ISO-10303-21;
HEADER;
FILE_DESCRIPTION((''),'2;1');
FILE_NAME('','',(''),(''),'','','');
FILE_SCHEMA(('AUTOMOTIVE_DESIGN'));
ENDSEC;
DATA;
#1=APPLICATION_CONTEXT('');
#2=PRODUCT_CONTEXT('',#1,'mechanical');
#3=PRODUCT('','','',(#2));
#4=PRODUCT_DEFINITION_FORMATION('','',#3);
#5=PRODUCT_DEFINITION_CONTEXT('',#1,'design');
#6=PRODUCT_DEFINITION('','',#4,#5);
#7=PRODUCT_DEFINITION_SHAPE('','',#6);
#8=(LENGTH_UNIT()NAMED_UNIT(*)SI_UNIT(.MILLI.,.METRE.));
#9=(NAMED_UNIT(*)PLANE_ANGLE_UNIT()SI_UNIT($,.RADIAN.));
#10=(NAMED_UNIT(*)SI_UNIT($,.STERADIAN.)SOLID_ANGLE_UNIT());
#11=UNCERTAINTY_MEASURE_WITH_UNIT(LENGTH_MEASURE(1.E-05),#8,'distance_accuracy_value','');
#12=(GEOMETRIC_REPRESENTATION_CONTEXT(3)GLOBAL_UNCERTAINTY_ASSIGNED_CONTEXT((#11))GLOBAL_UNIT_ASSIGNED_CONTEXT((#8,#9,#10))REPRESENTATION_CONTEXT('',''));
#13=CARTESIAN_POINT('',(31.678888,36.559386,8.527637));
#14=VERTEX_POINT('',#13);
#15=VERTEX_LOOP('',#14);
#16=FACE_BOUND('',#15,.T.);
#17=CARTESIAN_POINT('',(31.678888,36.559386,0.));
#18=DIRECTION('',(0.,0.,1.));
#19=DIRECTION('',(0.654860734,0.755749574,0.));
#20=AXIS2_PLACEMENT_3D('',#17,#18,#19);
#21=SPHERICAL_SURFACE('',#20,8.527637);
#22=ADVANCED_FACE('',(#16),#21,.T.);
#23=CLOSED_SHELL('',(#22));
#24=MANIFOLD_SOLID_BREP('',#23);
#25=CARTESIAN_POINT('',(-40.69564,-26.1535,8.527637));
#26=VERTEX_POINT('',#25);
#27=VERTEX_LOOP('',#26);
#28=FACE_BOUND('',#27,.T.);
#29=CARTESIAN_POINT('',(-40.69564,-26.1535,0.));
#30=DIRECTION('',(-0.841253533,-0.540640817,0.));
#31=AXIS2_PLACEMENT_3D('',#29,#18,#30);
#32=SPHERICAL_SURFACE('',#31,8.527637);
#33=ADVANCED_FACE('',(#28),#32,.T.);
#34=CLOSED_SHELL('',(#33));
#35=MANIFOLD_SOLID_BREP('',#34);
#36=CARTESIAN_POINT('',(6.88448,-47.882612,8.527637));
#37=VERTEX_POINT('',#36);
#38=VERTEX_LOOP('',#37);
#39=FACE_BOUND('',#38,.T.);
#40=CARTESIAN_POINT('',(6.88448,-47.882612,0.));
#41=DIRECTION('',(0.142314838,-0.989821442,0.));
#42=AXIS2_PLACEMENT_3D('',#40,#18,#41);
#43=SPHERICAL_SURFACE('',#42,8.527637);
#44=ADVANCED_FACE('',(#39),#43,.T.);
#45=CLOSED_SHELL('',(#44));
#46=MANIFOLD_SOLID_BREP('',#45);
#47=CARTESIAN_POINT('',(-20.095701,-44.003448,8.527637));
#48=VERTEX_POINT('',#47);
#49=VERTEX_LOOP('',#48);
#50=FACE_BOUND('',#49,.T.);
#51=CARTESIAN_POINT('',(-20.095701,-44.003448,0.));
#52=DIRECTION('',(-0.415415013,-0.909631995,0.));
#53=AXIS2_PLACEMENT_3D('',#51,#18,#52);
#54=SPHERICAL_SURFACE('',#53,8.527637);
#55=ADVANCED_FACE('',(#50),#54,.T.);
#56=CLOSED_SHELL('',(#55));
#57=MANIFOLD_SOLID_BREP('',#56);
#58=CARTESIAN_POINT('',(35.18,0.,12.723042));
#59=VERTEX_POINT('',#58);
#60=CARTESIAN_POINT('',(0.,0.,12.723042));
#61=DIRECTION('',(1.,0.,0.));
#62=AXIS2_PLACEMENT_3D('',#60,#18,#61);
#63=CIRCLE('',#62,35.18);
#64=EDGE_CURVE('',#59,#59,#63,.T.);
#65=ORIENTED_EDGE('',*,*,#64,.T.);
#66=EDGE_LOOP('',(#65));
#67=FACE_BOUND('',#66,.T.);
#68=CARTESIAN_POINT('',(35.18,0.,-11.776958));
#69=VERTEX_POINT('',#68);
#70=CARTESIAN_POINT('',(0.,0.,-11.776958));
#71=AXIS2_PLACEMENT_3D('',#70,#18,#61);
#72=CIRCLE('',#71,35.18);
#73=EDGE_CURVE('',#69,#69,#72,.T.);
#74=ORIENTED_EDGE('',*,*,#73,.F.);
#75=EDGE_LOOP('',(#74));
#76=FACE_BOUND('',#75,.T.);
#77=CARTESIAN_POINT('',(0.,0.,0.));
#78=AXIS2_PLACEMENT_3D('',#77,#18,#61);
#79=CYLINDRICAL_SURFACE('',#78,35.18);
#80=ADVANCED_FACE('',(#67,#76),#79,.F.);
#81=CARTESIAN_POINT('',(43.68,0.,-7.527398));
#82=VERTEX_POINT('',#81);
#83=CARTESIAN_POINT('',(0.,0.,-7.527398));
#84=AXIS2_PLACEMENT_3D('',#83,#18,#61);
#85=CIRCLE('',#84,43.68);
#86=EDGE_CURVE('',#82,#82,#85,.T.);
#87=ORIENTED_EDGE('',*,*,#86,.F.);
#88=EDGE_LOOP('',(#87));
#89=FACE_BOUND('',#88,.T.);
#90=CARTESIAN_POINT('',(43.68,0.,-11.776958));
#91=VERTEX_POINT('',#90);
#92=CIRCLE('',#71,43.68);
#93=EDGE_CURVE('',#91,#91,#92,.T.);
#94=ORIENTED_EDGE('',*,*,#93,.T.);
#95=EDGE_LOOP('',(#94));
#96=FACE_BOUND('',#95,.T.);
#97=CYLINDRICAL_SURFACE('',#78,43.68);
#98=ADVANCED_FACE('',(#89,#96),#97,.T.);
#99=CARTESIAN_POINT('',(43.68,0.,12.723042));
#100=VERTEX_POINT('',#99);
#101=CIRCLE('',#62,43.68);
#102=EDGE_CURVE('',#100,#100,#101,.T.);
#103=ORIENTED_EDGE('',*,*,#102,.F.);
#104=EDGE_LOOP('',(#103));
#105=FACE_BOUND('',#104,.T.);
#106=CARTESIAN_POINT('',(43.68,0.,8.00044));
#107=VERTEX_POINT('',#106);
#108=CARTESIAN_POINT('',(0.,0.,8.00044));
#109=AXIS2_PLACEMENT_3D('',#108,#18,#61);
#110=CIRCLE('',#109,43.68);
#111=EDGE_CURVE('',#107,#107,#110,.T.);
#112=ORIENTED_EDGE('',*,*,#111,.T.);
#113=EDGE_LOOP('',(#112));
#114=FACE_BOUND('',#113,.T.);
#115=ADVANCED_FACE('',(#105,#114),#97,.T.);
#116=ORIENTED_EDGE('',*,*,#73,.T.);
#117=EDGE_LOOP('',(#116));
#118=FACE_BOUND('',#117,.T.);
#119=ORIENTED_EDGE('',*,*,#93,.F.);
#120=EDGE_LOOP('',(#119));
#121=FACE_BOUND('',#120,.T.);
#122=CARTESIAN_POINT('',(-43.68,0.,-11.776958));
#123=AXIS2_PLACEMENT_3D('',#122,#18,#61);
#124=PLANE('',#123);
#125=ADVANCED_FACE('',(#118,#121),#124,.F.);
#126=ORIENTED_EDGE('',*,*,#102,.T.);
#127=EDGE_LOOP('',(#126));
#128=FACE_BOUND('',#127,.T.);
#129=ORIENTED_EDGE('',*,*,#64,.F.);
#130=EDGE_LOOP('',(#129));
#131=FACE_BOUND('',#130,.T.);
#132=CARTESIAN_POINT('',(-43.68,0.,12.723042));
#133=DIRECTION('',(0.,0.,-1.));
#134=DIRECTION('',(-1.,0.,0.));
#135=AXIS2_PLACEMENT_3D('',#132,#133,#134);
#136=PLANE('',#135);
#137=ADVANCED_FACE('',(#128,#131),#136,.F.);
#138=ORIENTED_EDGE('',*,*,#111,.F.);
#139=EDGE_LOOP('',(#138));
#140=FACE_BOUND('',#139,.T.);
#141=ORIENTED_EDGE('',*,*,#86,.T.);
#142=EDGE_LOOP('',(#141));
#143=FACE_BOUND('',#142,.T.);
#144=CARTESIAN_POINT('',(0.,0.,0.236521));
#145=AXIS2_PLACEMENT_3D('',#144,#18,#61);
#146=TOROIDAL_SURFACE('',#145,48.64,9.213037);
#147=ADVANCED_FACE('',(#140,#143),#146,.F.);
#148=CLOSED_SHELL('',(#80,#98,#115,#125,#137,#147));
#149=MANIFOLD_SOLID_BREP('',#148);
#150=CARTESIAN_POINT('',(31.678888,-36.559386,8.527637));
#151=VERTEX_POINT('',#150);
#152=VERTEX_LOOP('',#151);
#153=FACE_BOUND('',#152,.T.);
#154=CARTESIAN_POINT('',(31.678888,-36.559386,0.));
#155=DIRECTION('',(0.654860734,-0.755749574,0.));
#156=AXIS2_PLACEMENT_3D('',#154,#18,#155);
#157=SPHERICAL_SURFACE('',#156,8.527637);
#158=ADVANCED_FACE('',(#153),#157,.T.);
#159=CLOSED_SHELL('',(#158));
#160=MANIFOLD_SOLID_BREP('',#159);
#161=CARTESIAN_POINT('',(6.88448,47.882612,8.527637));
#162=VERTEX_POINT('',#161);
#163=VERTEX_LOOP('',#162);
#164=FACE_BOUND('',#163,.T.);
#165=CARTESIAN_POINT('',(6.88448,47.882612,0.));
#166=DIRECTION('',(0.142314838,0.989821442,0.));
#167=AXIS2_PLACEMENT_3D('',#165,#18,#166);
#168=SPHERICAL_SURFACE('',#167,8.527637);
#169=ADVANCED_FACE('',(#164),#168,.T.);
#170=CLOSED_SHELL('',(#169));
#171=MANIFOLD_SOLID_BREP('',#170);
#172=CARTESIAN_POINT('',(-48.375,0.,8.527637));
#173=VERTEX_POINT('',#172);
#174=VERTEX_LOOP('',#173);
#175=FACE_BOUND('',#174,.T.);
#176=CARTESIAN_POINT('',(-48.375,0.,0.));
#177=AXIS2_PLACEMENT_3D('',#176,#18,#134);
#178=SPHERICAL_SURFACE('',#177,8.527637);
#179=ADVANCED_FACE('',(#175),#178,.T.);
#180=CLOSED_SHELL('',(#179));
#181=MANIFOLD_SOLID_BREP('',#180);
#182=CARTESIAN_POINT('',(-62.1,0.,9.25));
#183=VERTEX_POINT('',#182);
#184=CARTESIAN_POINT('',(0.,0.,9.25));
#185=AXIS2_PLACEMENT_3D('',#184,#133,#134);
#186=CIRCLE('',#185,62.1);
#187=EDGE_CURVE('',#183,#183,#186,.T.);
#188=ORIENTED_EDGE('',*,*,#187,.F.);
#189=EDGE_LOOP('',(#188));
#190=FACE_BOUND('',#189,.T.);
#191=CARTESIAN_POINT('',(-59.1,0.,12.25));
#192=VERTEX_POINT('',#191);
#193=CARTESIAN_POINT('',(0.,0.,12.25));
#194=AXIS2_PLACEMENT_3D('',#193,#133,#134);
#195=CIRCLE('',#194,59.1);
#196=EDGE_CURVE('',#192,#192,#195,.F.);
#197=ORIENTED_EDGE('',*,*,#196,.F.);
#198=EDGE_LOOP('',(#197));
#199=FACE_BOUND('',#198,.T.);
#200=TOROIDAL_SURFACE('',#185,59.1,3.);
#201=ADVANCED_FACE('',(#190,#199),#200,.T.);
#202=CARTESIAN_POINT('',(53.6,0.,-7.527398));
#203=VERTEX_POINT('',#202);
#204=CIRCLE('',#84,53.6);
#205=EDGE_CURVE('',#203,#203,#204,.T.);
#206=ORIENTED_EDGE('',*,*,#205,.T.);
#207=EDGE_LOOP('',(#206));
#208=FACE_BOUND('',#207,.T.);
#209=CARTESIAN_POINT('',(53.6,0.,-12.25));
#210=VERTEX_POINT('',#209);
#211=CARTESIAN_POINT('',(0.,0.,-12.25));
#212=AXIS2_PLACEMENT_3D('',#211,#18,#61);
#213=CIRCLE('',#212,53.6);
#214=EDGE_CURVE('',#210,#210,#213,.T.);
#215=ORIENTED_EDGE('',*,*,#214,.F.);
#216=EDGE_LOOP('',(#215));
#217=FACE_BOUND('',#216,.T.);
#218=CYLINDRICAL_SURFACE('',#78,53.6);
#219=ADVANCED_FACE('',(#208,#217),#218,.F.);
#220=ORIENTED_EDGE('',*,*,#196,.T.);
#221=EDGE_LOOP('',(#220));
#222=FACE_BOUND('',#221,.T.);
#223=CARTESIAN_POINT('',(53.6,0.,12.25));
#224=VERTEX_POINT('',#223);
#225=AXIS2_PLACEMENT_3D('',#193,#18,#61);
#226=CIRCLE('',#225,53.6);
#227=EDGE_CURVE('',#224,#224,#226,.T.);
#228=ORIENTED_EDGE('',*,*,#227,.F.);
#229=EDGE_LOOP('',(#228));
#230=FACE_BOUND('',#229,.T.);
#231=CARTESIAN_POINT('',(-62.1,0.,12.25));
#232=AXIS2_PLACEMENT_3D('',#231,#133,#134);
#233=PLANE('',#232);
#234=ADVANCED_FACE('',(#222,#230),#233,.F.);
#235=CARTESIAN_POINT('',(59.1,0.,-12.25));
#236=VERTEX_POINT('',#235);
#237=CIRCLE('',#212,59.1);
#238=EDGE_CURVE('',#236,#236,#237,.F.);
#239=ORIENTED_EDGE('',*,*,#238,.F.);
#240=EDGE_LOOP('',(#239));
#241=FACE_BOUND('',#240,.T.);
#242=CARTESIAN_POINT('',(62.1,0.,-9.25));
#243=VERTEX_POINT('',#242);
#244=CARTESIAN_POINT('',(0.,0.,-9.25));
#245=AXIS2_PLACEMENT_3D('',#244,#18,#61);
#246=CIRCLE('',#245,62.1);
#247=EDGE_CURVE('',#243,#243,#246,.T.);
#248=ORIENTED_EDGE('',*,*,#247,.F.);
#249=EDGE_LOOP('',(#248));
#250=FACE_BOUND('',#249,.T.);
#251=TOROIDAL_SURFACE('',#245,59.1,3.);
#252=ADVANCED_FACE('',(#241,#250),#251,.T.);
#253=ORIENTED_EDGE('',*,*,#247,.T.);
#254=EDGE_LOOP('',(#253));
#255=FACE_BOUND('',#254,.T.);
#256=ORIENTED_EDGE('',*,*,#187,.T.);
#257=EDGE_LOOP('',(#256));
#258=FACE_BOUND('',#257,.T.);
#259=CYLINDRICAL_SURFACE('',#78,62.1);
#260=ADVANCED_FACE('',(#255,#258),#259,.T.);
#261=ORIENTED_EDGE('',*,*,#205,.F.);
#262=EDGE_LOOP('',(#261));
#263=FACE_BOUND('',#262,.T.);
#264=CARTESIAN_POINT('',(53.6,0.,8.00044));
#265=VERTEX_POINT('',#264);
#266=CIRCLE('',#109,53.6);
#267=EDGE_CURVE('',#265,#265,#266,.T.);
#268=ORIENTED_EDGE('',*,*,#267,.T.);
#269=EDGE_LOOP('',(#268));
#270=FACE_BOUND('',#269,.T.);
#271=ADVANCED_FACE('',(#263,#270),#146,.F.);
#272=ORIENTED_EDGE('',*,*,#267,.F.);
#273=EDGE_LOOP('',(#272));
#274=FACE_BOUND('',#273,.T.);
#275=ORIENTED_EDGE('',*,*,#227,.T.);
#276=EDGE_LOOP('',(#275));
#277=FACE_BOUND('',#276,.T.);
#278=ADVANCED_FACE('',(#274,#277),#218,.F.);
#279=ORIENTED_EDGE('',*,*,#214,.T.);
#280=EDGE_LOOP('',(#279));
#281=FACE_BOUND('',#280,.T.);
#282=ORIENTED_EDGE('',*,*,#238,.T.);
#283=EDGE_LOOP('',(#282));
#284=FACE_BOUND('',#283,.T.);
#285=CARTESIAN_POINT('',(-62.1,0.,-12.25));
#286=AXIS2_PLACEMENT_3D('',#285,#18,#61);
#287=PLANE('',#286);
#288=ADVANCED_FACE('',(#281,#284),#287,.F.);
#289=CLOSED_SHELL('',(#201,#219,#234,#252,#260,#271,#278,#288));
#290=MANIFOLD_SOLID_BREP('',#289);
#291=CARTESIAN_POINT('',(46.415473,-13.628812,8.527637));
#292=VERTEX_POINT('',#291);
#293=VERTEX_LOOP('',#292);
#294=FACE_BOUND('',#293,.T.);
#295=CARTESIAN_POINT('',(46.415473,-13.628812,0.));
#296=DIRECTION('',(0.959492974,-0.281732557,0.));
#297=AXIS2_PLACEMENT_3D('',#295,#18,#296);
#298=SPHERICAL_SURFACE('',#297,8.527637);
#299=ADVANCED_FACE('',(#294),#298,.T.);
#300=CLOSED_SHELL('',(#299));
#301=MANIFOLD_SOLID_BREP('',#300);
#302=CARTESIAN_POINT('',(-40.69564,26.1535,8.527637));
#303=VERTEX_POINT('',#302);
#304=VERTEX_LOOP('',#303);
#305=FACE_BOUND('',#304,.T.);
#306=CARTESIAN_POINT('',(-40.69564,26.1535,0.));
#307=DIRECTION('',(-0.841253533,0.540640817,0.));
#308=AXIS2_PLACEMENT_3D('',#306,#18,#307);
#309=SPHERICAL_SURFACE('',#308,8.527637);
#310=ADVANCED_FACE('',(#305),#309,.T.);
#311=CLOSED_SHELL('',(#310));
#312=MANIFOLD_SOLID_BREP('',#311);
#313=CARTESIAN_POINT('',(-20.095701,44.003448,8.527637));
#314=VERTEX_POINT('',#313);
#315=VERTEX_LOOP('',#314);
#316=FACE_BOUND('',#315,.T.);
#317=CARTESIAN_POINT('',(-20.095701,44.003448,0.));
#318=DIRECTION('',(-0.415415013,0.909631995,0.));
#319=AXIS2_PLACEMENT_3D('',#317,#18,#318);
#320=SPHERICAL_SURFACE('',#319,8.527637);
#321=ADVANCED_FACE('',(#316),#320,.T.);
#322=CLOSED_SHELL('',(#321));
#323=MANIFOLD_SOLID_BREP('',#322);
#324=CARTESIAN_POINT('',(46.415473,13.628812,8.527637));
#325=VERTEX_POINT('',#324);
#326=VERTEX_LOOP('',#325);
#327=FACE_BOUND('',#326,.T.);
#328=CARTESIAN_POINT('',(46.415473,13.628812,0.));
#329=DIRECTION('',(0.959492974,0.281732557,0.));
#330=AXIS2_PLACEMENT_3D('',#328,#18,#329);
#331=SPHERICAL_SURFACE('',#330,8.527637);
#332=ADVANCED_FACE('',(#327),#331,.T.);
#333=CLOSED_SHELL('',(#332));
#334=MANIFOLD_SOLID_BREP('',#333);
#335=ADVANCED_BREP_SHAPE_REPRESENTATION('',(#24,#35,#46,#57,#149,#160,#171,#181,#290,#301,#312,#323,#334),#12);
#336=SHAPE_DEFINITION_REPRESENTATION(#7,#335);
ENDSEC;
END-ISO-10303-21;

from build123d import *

# Parameters (mm, degrees)
MATRIZC1_COUNT = 11
REDONDEO1_R    = 3


with BuildPart() as part:
    # Croquis2 → Revolución1 (revolve)
    with BuildSketch(Plane(origin=(0, 0, 0), x_dir=(1, 0, 0), z_dir=(0, 1, 0))):
        with BuildLine():
            Line((-48.375, -8.52763673), (-48.375, 8.52763673))
            ThreePointArc((-48.375, 8.52763673), (-39.84736327, 0), (-48.375, -8.52763673))
        make_face()
    revolve(axis=Axis((-48.375, 0, 8.52763673), (0, 0, -1)))


with BuildPart() as body_2:
    # Croquis1 → Revolución2 (revolve)
    with BuildSketch(Plane(origin=(0, 0, 0), x_dir=(1, 0, 0), z_dir=(0, 1, 0)), mode=Mode.PRIVATE) as revoluci_n2_sk:
        with BuildLine():
            Line((-62.1, 12.25), (-53.6, 12.25))
            Line((-53.6, 12.25), (-53.6, 7.527398305))
            ThreePointArc((-53.6, 7.527398305), (-57.853036533, -0.236520947), (-53.6, -8.0004402))
            Line((-53.6, -8.0004402), (-53.6, -12.25))
            Line((-53.6, -12.25), (-62.1, -12.25))
            Line((-62.1, -12.25), (-62.1, 12.25))
        make_face()
        with BuildLine():
            Line((-43.68, 11.776958106), (-35.18, 11.776958106))
            Line((-35.18, 11.776958106), (-35.18, -12.723041894))
            Line((-35.18, -12.723041894), (-43.68, -12.723041894))
            Line((-43.68, -12.723041894), (-43.68, -8.0004402))
            ThreePointArc((-43.68, -8.0004402), (-39.426963467, -0.236520947), (-43.68, 7.527398305))
            Line((-43.68, 7.527398305), (-43.68, 11.541533237))
            Line((-43.68, 11.541533237), (-43.68, 11.776958106))
        make_face()
    revolve(revoluci_n2_sk.sketch.rotate(Axis((0, 0, 0), (0, 0, -1)), 180), axis=Axis((0, 0, 0), (0, 0, -1)))

    # Redondeo1
    redondeo1_edges = [body_2.edges().sort_by_distance(p)[0] for p in [
        (-62.1, 0, 12.25),
        (-62.1, 0, -12.25),
    ]]
    fillet(redondeo1_edges, radius=REDONDEO1_R)


with BuildPart() as matrizc1_1:
    # MatrizC1: pattern copy
    add(part.part.rotate(Axis((0, 0, 0), (0, 0, 1)), 1 * 360 / MATRIZC1_COUNT))


with BuildPart() as matrizc1_2:
    # MatrizC1: pattern copy
    add(part.part.rotate(Axis((0, 0, 0), (0, 0, 1)), 2 * 360 / MATRIZC1_COUNT))


with BuildPart() as matrizc1_3:
    # MatrizC1: pattern copy
    add(part.part.rotate(Axis((0, 0, 0), (0, 0, 1)), 3 * 360 / MATRIZC1_COUNT))


with BuildPart() as matrizc1_4:
    # MatrizC1: pattern copy
    add(part.part.rotate(Axis((0, 0, 0), (0, 0, 1)), 4 * 360 / MATRIZC1_COUNT))


with BuildPart() as matrizc1_5:
    # MatrizC1: pattern copy
    add(part.part.rotate(Axis((0, 0, 0), (0, 0, 1)), 5 * 360 / MATRIZC1_COUNT))


with BuildPart() as matrizc1_6:
    # MatrizC1: pattern copy
    add(part.part.rotate(Axis((0, 0, 0), (0, 0, 1)), 6 * 360 / MATRIZC1_COUNT))


with BuildPart() as matrizc1_7:
    # MatrizC1: pattern copy
    add(part.part.rotate(Axis((0, 0, 0), (0, 0, 1)), 7 * 360 / MATRIZC1_COUNT))


with BuildPart() as matrizc1_8:
    # MatrizC1: pattern copy
    add(part.part.rotate(Axis((0, 0, 0), (0, 0, 1)), 8 * 360 / MATRIZC1_COUNT))


with BuildPart() as matrizc1_9:
    # MatrizC1: pattern copy
    add(part.part.rotate(Axis((0, 0, 0), (0, 0, 1)), 9 * 360 / MATRIZC1_COUNT))


with BuildPart() as matrizc1_10:
    # MatrizC1: pattern copy
    add(part.part.rotate(Axis((0, 0, 0), (0, 0, 1)), 10 * 360 / MATRIZC1_COUNT))


solid = Compound([part.part, body_2.part, matrizc1_1.part, matrizc1_2.part, matrizc1_3.part, matrizc1_4.part, matrizc1_5.part, matrizc1_6.part, matrizc1_7.part, matrizc1_8.part, matrizc1_9.part, matrizc1_10.part])
